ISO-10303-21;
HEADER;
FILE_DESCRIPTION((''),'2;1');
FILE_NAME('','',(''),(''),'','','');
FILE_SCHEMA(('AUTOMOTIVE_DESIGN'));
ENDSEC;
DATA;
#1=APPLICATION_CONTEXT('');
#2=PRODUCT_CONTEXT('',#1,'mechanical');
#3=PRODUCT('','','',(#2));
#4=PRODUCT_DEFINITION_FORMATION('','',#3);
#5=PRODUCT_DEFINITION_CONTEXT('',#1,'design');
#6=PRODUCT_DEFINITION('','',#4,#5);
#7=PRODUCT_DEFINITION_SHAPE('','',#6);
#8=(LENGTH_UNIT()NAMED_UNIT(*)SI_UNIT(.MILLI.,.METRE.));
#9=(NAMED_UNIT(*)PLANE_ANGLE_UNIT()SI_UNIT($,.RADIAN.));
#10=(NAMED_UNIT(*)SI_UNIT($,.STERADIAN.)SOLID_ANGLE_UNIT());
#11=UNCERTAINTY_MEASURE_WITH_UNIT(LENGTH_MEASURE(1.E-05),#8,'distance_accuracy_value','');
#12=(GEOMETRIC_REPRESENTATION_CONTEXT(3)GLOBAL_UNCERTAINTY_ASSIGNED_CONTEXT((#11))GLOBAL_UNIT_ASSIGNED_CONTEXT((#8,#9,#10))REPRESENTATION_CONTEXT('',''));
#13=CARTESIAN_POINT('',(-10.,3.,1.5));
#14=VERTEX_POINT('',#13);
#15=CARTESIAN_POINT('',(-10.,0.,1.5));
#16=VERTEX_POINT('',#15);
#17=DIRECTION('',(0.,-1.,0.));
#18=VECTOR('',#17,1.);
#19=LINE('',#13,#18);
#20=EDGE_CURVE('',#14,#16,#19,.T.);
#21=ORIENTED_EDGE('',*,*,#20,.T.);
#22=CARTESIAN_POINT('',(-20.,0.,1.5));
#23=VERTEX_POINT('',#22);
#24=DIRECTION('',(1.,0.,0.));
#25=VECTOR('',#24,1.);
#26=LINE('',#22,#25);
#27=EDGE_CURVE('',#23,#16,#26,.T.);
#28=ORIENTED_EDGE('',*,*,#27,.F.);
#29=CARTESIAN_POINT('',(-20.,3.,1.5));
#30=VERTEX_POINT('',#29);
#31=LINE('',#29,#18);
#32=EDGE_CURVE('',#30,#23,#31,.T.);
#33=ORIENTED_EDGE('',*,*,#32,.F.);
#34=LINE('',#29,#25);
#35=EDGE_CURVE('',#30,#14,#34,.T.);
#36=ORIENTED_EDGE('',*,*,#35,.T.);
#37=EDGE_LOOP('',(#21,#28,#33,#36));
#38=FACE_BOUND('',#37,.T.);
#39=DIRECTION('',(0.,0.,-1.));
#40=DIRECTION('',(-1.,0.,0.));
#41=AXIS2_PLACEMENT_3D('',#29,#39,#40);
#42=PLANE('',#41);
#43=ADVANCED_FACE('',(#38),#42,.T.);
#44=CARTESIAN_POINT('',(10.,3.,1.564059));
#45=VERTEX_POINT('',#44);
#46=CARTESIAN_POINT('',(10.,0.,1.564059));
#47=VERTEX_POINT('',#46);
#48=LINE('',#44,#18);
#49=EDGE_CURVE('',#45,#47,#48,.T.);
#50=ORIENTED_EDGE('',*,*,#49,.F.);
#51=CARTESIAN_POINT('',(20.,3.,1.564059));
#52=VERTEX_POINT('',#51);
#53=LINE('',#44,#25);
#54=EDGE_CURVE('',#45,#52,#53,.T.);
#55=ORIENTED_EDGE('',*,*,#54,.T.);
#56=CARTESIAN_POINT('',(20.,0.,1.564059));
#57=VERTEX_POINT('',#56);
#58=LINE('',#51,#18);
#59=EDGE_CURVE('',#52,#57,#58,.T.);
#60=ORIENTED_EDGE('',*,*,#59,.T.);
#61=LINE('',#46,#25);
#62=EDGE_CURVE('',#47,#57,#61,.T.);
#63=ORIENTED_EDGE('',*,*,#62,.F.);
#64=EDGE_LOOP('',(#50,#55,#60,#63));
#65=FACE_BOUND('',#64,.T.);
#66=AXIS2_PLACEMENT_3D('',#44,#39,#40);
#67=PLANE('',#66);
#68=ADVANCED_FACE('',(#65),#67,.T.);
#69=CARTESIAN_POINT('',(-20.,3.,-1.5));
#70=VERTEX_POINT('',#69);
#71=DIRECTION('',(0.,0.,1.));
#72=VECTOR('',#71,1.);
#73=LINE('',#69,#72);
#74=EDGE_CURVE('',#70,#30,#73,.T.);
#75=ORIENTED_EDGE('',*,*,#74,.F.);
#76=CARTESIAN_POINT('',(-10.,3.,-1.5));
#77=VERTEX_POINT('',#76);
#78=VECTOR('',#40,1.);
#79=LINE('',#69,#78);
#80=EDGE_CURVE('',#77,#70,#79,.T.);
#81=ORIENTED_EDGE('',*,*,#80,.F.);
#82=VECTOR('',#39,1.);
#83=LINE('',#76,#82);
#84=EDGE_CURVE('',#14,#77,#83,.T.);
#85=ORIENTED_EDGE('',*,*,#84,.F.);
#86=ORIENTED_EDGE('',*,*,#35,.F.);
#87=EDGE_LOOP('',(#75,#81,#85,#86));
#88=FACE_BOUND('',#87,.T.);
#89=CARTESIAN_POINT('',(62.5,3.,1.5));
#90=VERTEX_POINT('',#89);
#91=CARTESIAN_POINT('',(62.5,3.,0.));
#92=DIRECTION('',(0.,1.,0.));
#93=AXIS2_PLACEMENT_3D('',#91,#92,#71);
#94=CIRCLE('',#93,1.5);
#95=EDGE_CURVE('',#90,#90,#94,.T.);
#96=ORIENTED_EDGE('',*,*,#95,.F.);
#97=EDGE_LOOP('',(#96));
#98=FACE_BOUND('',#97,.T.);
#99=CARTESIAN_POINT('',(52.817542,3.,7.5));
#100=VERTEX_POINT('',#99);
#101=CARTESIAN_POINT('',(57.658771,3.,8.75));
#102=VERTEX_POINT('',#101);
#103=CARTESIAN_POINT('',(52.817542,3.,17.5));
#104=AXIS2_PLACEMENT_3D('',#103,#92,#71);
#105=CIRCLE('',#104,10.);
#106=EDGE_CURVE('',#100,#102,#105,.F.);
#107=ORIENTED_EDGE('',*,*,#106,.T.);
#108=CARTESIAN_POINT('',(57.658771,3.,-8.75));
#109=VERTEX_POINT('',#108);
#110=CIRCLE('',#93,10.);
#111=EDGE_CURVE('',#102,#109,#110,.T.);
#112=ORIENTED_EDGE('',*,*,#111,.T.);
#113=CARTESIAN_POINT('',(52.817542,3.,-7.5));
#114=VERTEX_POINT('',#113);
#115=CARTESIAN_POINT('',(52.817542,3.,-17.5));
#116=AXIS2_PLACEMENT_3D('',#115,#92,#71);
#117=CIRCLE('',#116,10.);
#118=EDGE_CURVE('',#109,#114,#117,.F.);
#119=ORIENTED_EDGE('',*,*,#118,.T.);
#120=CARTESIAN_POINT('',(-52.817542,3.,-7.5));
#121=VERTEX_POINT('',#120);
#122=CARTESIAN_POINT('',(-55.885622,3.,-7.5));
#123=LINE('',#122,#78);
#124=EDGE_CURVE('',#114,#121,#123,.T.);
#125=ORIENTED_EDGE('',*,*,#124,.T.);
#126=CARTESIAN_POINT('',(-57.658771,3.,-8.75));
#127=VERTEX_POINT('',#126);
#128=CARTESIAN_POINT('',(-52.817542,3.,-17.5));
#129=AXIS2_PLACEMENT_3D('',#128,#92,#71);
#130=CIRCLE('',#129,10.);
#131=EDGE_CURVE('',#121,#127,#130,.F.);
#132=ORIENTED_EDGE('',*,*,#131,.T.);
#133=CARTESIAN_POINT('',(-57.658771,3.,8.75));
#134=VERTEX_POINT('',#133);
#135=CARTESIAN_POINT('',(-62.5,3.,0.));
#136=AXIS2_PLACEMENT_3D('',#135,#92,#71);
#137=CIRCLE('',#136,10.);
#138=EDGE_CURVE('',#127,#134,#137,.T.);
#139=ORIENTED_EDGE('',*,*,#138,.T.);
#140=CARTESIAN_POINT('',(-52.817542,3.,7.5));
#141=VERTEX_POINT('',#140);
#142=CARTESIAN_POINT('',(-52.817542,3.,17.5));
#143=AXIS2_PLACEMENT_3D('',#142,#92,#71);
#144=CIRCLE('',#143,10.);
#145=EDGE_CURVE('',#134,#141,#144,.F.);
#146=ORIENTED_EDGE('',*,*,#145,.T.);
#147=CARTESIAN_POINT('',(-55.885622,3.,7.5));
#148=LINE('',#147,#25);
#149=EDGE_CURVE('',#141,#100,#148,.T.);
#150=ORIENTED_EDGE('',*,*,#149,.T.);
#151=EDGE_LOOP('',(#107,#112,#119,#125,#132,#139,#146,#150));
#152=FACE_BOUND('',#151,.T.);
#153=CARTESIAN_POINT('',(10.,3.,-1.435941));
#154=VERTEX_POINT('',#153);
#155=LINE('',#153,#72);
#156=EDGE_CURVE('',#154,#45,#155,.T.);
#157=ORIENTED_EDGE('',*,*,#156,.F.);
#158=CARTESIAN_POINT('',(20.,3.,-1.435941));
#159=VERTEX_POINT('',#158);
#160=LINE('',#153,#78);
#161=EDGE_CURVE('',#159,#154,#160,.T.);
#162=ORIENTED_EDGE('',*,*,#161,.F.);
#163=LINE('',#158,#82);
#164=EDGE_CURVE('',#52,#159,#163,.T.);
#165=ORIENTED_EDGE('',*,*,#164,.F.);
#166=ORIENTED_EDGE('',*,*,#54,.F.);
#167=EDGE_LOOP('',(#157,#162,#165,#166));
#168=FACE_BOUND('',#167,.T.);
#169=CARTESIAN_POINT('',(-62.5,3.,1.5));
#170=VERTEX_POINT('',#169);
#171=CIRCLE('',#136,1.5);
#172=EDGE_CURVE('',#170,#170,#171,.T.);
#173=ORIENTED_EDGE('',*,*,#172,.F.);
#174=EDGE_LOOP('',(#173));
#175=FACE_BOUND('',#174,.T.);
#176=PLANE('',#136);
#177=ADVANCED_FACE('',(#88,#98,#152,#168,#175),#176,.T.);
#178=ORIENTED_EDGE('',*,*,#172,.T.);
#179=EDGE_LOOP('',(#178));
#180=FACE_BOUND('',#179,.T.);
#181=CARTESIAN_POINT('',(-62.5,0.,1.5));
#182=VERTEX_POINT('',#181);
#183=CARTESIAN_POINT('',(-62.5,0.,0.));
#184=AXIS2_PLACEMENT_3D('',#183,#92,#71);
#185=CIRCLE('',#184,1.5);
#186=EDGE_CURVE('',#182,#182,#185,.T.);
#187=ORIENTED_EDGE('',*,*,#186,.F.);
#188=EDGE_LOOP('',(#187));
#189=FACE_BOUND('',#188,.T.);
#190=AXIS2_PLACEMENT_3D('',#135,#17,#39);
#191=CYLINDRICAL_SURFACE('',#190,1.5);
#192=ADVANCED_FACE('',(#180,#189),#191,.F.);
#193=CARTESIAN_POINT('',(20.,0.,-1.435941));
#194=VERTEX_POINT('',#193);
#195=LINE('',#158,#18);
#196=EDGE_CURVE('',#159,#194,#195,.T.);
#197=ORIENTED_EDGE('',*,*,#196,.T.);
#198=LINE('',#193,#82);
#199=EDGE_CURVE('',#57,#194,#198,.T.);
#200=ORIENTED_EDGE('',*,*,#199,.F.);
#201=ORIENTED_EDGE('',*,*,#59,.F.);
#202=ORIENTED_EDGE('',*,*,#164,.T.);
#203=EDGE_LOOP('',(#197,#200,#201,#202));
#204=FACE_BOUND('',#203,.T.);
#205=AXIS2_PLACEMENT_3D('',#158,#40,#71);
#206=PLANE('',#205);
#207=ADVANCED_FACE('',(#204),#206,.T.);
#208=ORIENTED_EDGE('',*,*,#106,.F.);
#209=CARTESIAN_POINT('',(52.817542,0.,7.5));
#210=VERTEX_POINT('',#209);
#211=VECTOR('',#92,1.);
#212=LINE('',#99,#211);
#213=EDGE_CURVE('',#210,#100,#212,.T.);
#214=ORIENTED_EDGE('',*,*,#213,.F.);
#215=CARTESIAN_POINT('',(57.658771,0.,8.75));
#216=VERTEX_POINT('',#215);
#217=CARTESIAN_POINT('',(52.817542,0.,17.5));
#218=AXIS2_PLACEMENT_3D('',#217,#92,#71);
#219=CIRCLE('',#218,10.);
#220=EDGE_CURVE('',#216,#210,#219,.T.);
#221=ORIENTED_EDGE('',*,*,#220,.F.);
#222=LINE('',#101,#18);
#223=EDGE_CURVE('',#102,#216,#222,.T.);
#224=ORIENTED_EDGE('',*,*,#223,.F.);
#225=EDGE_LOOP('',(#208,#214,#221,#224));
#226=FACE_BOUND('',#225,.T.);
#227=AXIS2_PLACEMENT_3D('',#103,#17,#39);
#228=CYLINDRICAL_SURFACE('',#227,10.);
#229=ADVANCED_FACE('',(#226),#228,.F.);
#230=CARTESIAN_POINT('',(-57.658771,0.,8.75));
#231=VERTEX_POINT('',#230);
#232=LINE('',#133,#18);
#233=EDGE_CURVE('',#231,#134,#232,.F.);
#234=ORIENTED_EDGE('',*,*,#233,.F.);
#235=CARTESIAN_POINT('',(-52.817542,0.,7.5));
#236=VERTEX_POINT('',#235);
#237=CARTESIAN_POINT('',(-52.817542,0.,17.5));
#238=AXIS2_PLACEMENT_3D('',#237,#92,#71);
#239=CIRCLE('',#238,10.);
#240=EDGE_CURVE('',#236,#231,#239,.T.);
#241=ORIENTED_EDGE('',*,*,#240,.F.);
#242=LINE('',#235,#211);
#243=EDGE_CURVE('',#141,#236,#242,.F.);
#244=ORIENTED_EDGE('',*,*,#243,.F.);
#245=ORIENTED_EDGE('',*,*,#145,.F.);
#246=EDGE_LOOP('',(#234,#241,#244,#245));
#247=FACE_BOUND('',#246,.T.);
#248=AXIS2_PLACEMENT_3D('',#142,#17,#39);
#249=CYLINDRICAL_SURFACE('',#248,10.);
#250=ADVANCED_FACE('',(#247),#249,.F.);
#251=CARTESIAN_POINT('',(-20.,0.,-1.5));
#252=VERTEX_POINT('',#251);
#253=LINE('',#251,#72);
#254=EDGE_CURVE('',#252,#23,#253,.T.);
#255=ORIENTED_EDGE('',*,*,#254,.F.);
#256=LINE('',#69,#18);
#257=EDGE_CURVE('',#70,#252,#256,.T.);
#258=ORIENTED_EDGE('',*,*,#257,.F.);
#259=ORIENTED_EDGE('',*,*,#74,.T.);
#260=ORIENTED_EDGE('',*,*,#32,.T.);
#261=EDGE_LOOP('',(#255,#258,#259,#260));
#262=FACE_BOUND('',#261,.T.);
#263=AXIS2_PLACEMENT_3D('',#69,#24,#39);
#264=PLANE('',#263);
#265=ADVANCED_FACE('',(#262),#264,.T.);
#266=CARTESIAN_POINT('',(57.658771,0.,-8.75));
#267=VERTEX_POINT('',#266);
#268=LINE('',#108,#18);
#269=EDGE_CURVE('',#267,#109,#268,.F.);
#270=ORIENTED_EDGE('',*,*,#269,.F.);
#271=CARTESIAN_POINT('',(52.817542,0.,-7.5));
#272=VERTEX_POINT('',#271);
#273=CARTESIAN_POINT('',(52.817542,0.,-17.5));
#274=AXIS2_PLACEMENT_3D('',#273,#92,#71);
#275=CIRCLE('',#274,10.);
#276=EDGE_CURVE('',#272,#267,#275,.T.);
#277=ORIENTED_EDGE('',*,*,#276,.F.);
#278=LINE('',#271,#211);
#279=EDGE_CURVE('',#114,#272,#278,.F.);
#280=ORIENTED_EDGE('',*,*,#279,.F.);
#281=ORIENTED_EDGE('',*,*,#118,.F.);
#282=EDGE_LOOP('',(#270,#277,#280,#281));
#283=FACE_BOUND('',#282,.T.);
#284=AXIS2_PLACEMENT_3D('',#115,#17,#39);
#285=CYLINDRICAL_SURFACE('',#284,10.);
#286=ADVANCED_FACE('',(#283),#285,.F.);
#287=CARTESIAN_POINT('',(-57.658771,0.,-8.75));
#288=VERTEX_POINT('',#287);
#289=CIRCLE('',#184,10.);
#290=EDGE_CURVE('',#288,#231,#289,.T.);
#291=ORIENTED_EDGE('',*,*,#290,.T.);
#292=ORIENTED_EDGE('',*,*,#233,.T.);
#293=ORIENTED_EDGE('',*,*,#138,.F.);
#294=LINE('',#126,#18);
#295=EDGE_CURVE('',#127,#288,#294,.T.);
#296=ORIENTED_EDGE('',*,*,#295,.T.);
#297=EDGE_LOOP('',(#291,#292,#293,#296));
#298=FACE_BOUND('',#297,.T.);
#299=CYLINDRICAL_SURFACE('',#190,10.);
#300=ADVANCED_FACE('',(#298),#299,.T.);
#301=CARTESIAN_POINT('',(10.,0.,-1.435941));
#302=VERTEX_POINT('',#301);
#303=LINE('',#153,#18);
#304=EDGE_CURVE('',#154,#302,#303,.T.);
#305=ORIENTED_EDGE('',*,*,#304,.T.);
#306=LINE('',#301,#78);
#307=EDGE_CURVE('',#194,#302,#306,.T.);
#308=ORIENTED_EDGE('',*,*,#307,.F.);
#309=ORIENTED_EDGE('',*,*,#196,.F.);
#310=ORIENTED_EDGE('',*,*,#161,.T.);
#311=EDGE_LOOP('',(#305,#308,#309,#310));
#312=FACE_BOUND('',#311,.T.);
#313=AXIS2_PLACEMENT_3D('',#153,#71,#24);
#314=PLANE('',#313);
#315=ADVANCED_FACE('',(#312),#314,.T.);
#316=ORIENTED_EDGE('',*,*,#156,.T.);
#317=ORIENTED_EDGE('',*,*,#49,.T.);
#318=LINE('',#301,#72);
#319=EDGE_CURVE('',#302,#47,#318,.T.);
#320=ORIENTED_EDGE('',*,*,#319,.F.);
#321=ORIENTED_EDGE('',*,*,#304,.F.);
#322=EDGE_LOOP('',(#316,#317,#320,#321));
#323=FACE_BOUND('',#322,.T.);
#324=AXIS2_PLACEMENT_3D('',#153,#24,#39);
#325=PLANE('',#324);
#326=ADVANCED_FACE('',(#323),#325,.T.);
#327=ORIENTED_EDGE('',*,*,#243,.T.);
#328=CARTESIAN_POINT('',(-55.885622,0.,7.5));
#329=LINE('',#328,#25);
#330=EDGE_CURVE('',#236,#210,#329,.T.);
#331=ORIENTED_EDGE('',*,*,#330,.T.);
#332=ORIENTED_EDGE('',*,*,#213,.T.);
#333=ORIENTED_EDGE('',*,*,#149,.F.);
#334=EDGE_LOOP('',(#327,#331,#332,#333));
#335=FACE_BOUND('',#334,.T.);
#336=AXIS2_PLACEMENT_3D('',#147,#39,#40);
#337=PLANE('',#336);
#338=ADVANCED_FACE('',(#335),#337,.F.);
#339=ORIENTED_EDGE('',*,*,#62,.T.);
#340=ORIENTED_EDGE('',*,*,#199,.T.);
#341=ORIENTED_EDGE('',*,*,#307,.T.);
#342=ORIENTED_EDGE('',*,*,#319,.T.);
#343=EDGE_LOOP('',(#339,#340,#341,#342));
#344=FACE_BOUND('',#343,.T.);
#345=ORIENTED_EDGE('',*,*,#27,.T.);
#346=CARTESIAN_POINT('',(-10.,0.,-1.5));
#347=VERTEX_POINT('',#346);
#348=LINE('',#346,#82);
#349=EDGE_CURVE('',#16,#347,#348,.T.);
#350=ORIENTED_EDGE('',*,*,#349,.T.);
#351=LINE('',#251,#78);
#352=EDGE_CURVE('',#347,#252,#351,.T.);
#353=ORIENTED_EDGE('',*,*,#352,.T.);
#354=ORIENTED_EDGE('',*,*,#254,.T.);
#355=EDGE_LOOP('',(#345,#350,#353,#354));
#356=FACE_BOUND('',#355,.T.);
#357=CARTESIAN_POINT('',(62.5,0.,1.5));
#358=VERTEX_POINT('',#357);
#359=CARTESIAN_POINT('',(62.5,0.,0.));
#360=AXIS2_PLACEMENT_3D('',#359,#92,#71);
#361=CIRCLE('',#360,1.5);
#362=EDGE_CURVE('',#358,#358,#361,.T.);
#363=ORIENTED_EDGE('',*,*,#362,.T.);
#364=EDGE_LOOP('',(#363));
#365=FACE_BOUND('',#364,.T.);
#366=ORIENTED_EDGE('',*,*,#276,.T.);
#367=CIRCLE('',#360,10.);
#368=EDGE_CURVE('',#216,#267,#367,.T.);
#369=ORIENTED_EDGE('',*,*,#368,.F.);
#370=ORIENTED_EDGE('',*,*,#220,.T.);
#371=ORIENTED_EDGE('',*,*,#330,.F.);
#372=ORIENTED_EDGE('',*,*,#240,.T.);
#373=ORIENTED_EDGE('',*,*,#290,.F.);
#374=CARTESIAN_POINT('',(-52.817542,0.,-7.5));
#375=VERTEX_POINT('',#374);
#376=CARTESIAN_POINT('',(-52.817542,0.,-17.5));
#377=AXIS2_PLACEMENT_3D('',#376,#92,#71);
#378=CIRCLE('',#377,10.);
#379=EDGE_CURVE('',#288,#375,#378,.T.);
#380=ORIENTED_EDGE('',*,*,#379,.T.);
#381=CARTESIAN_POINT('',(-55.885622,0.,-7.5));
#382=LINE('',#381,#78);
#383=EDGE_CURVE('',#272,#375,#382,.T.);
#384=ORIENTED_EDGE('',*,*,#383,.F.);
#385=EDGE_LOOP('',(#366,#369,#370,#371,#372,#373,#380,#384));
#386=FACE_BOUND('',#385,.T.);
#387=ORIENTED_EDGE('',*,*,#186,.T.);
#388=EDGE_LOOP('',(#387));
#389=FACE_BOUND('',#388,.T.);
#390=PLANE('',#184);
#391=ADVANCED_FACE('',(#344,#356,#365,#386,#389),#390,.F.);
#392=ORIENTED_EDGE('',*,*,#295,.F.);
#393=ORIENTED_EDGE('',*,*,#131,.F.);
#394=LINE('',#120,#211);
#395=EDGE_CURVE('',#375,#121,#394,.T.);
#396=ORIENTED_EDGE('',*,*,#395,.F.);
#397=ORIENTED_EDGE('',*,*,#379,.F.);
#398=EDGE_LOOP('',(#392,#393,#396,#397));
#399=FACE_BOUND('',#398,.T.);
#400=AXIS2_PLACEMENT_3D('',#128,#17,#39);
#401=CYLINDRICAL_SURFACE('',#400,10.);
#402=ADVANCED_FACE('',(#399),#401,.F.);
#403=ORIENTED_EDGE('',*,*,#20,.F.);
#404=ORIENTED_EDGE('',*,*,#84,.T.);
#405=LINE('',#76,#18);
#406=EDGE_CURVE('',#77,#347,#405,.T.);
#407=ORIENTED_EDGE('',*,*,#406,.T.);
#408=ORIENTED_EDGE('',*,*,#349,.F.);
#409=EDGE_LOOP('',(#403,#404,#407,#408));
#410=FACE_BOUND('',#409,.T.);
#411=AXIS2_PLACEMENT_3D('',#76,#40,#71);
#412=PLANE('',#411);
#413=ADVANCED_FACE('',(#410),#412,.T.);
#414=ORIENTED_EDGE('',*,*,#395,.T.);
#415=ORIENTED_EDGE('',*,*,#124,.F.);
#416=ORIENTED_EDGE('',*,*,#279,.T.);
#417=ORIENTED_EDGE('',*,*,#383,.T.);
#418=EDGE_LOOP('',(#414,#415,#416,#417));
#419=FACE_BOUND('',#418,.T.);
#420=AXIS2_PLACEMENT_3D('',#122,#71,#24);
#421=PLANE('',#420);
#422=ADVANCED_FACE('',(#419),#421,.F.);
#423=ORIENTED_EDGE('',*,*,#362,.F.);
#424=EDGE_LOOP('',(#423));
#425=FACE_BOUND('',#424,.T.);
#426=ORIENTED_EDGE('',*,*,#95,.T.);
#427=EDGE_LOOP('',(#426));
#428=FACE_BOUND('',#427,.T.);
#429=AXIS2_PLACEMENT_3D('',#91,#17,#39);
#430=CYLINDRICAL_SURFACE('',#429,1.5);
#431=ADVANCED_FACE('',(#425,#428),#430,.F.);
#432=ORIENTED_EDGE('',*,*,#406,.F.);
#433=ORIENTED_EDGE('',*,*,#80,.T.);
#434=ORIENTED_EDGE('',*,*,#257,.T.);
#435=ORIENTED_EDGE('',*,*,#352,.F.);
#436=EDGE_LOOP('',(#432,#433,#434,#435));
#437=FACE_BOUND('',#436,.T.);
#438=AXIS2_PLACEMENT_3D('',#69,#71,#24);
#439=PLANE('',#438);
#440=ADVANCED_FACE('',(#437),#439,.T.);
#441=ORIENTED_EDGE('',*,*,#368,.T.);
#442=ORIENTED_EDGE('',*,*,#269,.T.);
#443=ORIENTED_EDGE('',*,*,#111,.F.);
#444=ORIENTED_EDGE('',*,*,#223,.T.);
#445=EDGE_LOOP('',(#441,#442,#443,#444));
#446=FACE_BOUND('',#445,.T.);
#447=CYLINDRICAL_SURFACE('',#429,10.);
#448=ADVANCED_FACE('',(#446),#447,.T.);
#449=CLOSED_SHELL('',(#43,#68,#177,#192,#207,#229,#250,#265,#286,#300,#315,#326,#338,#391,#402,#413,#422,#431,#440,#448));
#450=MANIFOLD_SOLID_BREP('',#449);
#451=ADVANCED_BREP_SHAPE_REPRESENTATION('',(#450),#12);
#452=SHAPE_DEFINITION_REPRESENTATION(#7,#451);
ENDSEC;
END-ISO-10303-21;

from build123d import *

# Parameters (mm, degrees)
SKETCH_1_R      = 1.5
SKETCH_1_W      = 10
SKETCH_1_H      = 3
EXTRUDE_1_DEPTH = 3
FILLET_1_R      = 10


with BuildPart() as part:
    # 草图1 → 凸台-拉伸1 (new body)
    with BuildSketch(Plane(origin=(0, 0, 0), x_dir=(1, 0, 0), z_dir=(0, 1, 0))):
        with BuildLine():
            Line((-55.885621722, -7.5), (55.885621722, -7.5))
            ThreePointArc((55.885621722, -7.5), (72.5, 0), (55.885621722, 7.5))
            Line((55.885621722, 7.5), (-55.885621722, 7.5))
            ThreePointArc((-55.885621722, 7.5), (-72.5, 0), (-55.885621722, -7.5))
        make_face()
        with Locations(Location((-62.5, 0, 0), (0, 0, 270))):
            Circle(SKETCH_1_R, mode=Mode.SUBTRACT)
        with Locations(Location((62.5, 0, 0), (0, 0, 270))):
            Circle(SKETCH_1_R, mode=Mode.SUBTRACT)
        with Locations((-15, 0)):
            Rectangle(SKETCH_1_W, SKETCH_1_H, mode=Mode.SUBTRACT)
        with Locations((15, -0.064058726)):
            Rectangle(SKETCH_1_W, SKETCH_1_H, mode=Mode.SUBTRACT)
    extrude(amount=EXTRUDE_1_DEPTH)

    # 圆角1
    fillet_1_edges = [part.edges().sort_by_distance(p)[0] for p in [
        (-55.885621722, 1.5, -7.5),
        (55.885621722, 1.5, -7.5),
        (55.885621722, 1.5, 7.5),
        (-55.885621722, 1.5, 7.5),
    ]]
    fillet(fillet_1_edges, radius=FILLET_1_R)


solid = part.part
